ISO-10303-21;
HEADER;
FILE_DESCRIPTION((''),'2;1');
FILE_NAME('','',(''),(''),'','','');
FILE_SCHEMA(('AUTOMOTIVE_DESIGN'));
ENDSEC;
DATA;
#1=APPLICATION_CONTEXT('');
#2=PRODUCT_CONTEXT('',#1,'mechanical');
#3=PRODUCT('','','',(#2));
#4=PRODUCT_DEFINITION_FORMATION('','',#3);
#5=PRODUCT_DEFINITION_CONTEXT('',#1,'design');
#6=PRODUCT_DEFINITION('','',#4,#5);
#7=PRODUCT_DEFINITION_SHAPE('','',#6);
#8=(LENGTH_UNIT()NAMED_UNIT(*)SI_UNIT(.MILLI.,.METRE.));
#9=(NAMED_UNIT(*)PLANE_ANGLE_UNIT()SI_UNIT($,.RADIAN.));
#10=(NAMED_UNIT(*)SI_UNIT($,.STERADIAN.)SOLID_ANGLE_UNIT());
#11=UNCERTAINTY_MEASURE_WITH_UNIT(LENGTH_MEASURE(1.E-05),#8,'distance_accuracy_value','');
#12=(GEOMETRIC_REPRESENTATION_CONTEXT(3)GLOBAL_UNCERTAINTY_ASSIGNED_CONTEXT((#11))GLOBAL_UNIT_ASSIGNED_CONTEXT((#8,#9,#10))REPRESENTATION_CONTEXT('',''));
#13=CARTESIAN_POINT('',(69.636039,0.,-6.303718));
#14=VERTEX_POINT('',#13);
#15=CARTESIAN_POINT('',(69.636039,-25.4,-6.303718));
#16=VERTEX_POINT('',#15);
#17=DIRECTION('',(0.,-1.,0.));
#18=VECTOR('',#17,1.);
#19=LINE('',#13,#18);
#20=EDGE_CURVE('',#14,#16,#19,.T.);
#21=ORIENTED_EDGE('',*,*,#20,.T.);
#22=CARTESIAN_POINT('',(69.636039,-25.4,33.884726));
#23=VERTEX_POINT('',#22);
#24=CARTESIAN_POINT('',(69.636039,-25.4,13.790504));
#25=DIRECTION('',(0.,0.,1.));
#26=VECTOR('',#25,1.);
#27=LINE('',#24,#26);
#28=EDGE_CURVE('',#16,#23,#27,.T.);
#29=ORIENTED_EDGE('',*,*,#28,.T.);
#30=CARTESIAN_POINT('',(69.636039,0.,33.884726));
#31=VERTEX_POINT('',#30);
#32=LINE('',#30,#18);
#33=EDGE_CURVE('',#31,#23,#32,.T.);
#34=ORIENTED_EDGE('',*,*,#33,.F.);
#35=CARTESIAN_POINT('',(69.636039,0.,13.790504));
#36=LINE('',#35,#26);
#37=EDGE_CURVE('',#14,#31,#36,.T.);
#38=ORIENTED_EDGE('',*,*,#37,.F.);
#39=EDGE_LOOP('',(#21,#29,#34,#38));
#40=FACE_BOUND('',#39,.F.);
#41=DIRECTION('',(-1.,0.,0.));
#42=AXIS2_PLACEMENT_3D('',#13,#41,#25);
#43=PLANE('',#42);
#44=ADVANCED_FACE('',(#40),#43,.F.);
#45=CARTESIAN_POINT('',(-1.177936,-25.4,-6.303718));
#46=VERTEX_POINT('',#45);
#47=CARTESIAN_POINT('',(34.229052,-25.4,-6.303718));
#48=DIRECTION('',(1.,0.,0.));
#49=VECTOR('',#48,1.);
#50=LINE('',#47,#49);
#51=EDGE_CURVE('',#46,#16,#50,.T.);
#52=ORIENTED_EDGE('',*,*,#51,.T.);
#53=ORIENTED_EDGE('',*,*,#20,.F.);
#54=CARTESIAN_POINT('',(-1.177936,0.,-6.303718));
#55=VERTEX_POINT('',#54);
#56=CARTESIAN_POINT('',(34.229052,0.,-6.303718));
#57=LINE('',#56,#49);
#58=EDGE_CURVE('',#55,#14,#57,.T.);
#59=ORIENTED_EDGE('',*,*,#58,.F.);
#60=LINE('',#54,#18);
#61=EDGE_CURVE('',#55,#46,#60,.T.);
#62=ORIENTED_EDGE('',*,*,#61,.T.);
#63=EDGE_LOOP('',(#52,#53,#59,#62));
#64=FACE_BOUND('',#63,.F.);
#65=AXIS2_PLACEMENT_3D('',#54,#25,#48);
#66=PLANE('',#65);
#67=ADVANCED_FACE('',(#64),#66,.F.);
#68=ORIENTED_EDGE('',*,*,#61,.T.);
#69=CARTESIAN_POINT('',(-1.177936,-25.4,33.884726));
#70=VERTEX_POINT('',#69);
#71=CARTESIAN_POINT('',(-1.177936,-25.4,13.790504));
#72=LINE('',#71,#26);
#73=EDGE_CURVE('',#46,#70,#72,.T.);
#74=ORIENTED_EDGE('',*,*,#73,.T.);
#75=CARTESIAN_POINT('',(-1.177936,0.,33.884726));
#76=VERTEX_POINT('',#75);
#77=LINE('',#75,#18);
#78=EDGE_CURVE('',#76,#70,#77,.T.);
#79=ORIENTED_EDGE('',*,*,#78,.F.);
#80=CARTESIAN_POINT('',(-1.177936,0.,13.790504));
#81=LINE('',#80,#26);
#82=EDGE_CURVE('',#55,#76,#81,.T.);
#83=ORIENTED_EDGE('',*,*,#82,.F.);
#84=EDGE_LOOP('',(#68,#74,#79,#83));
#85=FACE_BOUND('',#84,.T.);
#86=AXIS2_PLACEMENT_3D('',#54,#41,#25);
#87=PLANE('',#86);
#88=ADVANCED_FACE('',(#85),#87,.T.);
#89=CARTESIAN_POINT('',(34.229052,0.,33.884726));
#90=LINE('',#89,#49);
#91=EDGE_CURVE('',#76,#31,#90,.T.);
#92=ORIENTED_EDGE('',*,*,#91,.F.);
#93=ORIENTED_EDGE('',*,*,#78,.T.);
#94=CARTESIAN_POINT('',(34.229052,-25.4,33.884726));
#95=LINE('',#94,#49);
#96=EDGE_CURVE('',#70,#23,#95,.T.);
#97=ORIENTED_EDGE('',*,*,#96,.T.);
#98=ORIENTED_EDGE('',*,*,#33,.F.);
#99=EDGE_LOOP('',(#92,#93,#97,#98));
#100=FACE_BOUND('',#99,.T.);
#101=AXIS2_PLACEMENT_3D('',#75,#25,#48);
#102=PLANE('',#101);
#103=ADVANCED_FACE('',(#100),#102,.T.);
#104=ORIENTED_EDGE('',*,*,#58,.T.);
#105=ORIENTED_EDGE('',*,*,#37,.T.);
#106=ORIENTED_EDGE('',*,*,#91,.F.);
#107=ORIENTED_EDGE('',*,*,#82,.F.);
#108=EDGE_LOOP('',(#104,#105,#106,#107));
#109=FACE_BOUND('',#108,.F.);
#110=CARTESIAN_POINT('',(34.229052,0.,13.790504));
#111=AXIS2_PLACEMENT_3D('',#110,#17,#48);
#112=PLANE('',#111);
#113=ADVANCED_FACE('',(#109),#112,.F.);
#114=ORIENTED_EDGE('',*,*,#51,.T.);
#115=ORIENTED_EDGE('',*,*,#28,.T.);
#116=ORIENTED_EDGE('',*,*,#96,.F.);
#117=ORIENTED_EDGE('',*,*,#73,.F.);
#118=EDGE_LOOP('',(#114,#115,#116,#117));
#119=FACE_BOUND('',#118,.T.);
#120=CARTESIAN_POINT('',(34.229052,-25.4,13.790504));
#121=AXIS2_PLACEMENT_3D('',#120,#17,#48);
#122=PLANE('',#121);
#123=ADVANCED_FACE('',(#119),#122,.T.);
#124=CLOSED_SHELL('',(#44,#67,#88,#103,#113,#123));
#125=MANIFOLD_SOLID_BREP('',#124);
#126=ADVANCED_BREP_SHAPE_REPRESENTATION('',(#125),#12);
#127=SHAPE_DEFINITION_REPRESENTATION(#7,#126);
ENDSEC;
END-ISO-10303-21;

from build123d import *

# Parameters (mm, degrees)
F0_W     = 70.8139757626
F0_H     = 40.1884447783
F0_R     = 3.4207147562
F0_R_2   = 3.7382041879
F0_R_3   = 3.2776596079
F0_R_4   = 4.0769640404
F1_DEPTH = 25.4


with BuildPart() as f1:
    # F0 (on Front) → F1 (new body)
    with BuildSketch(Plane.XZ):
        with Locations((34.2290515546, 13.7905040756)):
            Rectangle(F0_W, F0_H)
        with Locations((8.6830137298, 3.9464100264)):
            Circle(F0_R, mode=Mode.SUBTRACT)
        with Locations((59.9546357989, 0)):
            Circle(F0_R_2, mode=Mode.SUBTRACT)
        with Locations((7.6532494277, 21.5003676713)):
            Circle(F0_R_3, mode=Mode.SUBTRACT)
        with Locations((58.860745281, 22.1815109253)):
            Circle(F0_R_4, mode=Mode.SUBTRACT)
        with Locations((58.860745281, 22.1815109253)):
            Circle(F0_R_4)
        with Locations((59.9546357989, 0)):
            Circle(F0_R_2)
        with Locations((8.6830137298, 3.9464100264)):
            Circle(F0_R)
        with Locations((7.6532494277, 21.5003676713)):
            Circle(F0_R_3)
    extrude(amount=F1_DEPTH)


solid = f1.part
